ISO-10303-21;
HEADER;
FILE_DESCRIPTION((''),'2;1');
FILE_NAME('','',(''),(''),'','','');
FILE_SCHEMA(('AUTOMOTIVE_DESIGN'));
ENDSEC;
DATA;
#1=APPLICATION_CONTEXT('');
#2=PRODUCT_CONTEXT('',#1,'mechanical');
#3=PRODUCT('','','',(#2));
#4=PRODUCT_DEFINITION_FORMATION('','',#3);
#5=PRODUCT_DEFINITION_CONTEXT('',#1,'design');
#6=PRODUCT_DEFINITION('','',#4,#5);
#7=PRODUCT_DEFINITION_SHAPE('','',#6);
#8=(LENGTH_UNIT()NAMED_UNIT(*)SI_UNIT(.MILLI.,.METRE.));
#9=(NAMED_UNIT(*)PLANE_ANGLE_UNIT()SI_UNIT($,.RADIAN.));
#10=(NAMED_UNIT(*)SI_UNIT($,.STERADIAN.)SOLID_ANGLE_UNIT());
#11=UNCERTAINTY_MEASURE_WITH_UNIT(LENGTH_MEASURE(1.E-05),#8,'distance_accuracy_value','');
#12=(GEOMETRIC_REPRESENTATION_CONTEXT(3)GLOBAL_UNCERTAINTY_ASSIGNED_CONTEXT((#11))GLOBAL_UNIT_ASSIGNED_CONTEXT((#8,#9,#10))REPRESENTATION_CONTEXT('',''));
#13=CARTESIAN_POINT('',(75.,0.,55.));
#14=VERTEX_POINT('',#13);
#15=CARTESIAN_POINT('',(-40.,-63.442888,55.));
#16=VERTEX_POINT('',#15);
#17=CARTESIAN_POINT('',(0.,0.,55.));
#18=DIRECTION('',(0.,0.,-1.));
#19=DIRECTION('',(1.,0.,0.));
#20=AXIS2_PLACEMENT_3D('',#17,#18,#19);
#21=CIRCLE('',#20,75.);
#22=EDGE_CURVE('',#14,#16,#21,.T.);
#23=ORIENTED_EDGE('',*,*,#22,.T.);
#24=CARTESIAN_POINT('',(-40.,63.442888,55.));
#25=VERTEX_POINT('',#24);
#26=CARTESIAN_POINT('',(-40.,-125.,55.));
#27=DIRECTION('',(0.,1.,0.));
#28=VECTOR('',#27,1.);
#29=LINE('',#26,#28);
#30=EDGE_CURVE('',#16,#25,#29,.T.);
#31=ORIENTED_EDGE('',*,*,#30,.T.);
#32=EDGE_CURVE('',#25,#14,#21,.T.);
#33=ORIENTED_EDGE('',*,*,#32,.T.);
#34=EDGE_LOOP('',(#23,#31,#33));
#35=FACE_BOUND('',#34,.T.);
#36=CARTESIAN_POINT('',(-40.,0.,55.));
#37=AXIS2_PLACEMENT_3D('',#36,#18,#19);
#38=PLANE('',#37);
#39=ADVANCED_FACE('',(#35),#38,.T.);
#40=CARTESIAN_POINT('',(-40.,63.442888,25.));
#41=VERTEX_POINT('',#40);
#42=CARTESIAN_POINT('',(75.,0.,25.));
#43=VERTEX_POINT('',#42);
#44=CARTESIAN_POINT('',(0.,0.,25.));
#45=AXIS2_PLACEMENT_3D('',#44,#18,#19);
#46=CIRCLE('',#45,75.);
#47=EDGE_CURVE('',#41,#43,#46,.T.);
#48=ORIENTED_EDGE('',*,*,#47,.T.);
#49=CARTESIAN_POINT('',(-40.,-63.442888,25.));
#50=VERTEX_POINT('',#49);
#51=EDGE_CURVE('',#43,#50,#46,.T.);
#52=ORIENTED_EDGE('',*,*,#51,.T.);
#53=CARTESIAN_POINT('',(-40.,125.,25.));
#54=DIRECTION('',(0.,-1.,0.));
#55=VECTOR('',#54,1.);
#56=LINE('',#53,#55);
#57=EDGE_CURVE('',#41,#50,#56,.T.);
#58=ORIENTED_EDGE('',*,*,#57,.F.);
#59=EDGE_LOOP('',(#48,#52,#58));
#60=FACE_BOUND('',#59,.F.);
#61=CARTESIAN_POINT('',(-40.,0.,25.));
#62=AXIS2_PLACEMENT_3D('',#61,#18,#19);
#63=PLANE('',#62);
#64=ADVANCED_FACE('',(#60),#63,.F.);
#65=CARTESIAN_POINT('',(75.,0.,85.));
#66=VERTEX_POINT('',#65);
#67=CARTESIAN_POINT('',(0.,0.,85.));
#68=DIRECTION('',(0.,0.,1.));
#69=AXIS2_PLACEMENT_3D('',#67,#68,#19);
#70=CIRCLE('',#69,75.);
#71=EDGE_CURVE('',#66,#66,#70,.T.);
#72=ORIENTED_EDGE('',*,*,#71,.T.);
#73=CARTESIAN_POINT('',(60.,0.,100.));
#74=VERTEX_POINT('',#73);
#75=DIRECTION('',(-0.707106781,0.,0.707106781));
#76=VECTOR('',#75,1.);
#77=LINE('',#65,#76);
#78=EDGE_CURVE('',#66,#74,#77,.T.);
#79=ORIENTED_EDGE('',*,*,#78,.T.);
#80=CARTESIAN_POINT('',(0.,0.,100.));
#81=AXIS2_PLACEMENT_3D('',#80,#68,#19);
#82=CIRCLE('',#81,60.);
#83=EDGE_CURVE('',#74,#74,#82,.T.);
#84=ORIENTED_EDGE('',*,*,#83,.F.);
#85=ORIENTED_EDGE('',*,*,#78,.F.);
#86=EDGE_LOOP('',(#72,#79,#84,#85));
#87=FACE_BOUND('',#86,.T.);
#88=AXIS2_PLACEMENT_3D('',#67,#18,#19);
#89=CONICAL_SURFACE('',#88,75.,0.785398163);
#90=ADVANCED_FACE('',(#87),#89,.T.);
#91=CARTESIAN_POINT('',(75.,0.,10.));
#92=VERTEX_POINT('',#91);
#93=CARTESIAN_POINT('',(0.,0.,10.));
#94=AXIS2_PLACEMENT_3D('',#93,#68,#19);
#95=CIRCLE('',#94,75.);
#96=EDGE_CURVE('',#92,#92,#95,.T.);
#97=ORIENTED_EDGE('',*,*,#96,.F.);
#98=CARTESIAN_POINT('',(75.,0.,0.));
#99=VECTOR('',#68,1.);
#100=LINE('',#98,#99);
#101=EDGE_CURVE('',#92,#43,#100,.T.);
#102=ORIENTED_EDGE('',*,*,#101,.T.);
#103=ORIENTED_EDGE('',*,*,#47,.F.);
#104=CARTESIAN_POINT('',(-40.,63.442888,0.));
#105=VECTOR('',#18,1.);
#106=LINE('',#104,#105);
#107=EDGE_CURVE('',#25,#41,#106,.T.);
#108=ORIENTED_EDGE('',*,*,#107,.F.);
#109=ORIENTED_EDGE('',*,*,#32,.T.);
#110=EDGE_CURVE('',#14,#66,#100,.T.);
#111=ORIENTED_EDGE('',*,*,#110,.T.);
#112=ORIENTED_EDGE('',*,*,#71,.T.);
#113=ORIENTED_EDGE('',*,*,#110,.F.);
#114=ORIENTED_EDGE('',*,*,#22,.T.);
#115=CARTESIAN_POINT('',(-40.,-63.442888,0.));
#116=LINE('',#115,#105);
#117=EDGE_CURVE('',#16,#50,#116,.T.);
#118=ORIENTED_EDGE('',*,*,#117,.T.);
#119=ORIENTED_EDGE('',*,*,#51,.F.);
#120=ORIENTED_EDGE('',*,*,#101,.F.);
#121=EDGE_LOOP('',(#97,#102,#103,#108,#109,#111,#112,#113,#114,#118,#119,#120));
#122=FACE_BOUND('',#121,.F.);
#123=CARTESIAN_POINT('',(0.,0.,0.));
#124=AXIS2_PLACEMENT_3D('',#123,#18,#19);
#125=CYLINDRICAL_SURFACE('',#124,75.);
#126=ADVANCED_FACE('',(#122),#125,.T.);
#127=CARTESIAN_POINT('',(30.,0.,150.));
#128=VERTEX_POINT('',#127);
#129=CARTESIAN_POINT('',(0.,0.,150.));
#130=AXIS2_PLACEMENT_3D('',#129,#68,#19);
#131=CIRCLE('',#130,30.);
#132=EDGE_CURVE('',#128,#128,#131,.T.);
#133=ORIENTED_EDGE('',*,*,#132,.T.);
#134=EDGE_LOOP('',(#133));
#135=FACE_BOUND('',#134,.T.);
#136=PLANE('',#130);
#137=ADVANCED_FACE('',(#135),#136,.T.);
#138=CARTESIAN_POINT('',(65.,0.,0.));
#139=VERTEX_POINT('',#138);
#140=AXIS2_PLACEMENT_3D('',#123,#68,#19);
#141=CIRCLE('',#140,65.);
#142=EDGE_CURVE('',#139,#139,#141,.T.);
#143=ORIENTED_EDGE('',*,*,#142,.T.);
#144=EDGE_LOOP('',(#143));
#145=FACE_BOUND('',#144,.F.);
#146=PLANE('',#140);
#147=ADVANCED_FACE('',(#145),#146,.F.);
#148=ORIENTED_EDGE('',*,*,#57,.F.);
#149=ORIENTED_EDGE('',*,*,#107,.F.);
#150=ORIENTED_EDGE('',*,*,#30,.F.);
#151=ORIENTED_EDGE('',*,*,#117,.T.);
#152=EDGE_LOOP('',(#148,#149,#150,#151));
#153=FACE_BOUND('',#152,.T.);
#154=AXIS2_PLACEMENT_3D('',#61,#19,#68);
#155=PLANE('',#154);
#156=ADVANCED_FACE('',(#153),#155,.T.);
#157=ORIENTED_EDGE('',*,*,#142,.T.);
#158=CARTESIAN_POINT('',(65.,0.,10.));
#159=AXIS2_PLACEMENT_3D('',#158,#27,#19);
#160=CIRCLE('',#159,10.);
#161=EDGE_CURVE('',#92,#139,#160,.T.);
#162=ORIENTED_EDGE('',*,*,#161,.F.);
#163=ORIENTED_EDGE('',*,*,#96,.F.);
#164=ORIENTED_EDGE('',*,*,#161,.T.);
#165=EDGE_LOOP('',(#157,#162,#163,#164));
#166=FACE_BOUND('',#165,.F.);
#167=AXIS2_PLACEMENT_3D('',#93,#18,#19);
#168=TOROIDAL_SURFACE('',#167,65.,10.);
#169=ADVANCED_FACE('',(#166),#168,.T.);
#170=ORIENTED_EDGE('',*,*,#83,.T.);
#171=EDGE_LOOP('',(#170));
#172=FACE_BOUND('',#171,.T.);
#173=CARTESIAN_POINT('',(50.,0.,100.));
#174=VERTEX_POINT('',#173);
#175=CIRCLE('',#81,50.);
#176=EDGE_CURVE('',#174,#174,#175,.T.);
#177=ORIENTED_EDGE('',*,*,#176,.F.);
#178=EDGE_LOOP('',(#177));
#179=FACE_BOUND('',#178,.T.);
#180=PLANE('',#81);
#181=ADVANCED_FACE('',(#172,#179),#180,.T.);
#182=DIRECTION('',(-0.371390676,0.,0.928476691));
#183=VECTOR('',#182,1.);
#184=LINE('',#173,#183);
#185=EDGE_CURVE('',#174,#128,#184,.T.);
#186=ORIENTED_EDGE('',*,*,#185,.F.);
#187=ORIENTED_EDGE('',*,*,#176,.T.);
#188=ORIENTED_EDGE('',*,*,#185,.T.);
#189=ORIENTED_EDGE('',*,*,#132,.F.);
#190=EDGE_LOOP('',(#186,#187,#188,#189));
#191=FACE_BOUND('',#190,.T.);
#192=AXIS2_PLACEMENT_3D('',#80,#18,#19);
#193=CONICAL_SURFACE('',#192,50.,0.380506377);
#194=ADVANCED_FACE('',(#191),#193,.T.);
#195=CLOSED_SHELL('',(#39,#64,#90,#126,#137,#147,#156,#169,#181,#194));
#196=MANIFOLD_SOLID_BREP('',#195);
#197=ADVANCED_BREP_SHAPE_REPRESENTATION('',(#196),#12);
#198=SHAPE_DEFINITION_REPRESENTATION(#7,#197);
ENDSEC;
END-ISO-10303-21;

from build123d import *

# Parameters (mm, degrees)
F0_R     = 75
F1_DEPTH = 100
F2_R     = 10
F3_SIZE  = 15
F4_W     = 150
F4_H     = 30
F5_DEPTH = 125


with BuildPart() as f1:
    # F0 (on Top) → F1 (new body)
    with BuildSketch(Plane.XY):
        Circle(F0_R)
    extrude(amount=F1_DEPTH)

    # F2
    f2_edges = [f1.edges().sort_by_distance(p)[0] for p in [
        (-75, 0, 0),
    ]]
    fillet(f2_edges, radius=F2_R)

    # F3
    f3_edges = [f1.edges().sort_by_distance(p)[0] for p in [
        (-75, 0, 100),
    ]]
    chamfer(f3_edges, length=F3_SIZE)

    # F4 (on Front) → F5 (cut, symmetric)
    with BuildSketch(Plane.XZ):
        with Locations((35, 40)):
            Rectangle(F4_W, F4_H)
    extrude(amount=F5_DEPTH, both=True, mode=Mode.SUBTRACT)

    # F6 (on Front) → F7 (revolve)
    with BuildSketch(Plane.XZ):
        Polygon((0, 150), (0, 100), (50, 100), (30, 150), align=None)
    revolve(axis=Axis((0, 0, 125), (0, 0, 1)))


solid = f1.part
